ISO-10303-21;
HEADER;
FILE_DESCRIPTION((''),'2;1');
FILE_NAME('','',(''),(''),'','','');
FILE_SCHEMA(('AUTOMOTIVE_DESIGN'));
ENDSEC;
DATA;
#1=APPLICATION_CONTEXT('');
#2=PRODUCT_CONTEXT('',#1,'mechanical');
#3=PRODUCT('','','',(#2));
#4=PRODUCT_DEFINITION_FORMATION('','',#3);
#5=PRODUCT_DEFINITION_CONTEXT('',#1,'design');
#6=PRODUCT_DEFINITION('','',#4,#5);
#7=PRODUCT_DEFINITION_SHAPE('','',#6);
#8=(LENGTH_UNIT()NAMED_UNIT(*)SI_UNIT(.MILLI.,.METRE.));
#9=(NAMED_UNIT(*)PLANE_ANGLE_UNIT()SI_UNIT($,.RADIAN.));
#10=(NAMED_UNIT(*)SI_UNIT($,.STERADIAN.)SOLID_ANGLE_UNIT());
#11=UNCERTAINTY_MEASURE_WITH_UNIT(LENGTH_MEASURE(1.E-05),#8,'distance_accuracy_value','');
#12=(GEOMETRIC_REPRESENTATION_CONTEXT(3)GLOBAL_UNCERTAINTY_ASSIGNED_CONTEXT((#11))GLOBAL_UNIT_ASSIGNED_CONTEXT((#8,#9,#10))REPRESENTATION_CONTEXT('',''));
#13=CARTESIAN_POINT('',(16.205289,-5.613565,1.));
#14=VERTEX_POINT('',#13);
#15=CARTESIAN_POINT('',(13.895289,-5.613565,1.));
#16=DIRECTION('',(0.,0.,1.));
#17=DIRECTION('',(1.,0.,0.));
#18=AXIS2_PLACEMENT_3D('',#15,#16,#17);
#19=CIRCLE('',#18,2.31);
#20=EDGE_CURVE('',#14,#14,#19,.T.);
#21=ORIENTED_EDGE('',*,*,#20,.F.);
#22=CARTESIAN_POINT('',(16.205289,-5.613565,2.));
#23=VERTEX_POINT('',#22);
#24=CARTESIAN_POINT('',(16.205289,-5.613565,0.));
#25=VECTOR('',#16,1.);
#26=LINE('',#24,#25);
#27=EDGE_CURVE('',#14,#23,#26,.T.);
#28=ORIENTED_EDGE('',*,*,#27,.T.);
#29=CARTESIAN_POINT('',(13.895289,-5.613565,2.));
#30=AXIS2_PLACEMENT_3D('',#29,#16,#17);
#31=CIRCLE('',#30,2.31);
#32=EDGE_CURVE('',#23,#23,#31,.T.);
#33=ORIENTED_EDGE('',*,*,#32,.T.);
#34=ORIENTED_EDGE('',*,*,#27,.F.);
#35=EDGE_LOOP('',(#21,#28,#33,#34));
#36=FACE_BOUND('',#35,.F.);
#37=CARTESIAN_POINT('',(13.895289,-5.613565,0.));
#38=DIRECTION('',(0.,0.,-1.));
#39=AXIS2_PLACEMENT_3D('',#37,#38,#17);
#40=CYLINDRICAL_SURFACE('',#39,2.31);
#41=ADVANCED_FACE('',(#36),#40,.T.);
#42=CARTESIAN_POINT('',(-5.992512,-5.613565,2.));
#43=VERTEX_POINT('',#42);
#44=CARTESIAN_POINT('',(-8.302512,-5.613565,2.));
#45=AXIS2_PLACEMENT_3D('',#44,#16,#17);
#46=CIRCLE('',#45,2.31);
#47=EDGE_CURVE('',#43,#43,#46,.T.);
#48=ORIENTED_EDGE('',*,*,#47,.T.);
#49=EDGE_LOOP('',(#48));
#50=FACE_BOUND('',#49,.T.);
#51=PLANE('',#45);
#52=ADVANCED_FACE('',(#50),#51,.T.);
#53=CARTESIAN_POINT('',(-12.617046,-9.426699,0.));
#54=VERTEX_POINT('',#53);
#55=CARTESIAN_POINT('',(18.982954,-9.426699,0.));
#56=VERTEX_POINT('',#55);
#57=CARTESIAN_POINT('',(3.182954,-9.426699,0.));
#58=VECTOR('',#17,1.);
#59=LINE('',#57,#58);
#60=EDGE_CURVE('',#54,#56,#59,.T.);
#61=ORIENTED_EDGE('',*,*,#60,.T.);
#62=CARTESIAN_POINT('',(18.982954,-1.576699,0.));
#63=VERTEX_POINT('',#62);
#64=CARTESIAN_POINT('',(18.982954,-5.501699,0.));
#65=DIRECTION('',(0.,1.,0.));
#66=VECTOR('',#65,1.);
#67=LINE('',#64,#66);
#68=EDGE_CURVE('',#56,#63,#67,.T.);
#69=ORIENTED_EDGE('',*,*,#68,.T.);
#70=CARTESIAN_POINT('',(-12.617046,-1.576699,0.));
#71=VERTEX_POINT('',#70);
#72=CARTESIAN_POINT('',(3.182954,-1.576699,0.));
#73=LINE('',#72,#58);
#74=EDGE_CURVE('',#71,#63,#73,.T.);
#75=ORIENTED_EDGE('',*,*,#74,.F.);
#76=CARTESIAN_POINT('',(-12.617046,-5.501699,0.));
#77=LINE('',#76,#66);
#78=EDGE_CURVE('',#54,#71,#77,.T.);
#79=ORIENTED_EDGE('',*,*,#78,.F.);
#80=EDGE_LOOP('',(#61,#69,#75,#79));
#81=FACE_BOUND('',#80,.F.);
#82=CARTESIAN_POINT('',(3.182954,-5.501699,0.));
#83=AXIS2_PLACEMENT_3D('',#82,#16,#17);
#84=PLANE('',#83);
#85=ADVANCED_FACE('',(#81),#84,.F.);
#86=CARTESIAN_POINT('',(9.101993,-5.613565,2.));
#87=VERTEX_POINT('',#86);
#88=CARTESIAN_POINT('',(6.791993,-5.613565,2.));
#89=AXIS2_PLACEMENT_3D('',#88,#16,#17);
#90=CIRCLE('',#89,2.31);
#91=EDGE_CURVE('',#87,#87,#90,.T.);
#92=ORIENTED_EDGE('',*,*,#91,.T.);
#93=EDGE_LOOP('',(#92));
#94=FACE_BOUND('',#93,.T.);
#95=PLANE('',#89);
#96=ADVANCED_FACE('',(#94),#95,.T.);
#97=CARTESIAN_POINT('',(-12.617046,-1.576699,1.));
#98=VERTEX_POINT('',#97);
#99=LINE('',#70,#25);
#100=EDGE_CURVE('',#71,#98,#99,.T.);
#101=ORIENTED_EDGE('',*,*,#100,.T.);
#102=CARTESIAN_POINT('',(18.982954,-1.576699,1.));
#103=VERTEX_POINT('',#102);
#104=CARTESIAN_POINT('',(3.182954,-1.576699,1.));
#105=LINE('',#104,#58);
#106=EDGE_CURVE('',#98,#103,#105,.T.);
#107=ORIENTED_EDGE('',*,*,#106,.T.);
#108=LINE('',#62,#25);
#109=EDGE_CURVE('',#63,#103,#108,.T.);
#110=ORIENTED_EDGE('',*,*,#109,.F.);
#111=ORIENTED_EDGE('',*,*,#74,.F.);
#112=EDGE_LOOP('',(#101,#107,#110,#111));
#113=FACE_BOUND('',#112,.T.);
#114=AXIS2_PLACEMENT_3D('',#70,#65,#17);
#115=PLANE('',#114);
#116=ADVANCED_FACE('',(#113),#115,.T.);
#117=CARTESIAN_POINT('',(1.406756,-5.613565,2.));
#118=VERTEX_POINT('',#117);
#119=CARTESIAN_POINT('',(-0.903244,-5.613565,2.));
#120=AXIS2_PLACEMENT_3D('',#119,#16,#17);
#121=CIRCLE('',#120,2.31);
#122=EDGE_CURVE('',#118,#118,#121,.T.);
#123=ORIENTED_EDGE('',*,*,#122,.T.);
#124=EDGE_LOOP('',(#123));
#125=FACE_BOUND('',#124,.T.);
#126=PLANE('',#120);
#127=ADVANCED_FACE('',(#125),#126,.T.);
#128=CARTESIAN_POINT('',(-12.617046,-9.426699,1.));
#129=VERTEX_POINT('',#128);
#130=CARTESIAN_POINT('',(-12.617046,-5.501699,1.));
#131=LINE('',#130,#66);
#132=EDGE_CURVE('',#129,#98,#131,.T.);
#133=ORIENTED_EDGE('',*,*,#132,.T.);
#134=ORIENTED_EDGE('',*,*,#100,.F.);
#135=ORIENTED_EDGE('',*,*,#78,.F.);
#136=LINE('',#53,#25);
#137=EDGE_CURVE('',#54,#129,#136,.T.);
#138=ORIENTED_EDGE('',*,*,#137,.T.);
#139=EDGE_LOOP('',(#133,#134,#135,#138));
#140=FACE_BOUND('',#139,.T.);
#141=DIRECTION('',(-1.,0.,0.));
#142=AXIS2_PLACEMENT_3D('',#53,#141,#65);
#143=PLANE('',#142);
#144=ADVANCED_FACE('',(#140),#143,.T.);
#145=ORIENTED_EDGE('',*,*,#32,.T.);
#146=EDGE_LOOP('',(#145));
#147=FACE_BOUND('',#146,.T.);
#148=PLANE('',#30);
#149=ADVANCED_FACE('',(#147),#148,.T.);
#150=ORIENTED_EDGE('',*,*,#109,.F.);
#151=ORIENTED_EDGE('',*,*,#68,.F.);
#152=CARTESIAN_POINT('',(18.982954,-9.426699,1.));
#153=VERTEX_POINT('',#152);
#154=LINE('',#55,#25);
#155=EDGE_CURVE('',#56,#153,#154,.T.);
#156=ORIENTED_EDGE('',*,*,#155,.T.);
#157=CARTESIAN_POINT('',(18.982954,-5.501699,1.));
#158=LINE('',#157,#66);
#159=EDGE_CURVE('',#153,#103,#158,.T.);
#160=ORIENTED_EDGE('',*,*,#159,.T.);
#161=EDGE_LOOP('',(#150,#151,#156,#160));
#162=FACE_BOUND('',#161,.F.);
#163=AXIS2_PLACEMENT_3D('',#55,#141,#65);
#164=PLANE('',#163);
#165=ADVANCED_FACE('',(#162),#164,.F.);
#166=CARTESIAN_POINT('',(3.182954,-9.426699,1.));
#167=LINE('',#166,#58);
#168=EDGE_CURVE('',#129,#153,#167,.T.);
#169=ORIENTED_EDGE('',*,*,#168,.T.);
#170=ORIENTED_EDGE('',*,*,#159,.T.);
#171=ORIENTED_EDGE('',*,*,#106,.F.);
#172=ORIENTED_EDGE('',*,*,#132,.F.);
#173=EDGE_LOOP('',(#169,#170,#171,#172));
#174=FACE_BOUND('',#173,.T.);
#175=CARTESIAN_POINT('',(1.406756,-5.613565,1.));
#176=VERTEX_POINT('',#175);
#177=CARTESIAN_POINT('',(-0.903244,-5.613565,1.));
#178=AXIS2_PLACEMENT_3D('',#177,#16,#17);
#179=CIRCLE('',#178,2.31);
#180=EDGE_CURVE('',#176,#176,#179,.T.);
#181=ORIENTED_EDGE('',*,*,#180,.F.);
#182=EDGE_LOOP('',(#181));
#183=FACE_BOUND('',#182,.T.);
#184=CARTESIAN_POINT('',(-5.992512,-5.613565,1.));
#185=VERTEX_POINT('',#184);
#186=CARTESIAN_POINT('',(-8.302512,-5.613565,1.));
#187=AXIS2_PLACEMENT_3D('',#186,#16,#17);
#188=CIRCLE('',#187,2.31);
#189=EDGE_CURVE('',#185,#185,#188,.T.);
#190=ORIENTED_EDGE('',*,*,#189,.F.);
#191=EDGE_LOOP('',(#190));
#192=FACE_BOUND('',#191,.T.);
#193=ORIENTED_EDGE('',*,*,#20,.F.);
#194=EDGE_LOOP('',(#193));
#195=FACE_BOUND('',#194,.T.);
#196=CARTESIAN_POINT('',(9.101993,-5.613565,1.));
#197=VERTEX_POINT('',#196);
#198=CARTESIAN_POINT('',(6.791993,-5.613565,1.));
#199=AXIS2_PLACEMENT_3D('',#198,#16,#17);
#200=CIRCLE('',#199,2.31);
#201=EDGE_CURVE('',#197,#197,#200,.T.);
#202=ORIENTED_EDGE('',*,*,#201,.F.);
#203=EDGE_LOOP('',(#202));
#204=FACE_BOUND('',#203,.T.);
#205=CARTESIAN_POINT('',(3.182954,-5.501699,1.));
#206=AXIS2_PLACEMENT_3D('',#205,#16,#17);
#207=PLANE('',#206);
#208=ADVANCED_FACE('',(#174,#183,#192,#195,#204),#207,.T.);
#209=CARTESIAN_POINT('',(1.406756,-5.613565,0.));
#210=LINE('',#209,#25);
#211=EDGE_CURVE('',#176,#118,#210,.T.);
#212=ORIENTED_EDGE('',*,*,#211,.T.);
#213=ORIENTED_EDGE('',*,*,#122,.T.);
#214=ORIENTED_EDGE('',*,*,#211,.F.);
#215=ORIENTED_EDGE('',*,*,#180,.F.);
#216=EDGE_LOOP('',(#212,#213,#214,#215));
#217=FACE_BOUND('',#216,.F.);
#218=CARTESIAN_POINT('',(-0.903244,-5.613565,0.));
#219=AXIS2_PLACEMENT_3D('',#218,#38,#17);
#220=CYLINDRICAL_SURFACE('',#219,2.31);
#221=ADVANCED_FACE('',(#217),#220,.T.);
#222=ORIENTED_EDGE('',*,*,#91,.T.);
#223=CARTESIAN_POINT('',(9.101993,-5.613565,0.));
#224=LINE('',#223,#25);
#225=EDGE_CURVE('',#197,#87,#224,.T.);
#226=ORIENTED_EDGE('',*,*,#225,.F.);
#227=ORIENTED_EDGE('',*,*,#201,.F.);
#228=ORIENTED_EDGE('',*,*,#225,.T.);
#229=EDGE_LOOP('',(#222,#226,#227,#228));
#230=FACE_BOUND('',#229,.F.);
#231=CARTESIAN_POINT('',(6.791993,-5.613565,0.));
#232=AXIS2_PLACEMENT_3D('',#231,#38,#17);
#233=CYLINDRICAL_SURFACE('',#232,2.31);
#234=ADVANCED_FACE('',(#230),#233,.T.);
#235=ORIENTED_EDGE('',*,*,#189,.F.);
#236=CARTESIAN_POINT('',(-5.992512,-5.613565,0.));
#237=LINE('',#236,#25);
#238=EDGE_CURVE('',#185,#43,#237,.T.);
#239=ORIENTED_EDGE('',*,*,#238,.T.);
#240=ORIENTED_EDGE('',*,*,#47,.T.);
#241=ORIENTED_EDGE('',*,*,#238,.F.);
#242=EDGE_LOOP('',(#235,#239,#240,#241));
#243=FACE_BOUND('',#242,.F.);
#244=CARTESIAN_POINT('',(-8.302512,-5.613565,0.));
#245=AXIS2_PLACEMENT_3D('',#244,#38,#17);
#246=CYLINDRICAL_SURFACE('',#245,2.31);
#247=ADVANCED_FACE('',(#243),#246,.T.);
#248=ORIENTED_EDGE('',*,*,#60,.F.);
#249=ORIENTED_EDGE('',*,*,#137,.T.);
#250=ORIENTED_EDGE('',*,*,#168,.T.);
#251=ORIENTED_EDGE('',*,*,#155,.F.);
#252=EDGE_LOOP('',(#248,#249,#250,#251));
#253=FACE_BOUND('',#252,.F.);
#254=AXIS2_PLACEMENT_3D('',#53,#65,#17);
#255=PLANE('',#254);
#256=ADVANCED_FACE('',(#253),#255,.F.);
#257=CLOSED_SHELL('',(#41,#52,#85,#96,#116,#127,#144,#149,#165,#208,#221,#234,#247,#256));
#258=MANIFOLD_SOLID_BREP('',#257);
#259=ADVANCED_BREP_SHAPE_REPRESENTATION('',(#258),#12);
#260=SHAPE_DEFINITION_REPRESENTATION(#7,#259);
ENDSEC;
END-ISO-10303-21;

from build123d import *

# Parameters (mm, degrees)
F0_R     = 2.31
F1_DEPTH = 2
F0_W     = 31.6
F0_H     = 7.85
F2_DEPTH = 1


with BuildPart() as f1:
    # F0 (on Top) → F1 (new body)
    with BuildSketch(Plane.XY):
        with Locations((-8.302512, -5.613565)):
            Circle(F0_R)
        with Locations((-0.903244, -5.613565)):
            Circle(F0_R)
        with Locations((6.791993, -5.613565)):
            Circle(F0_R)
        with Locations((13.895289, -5.613565)):
            Circle(F0_R)
    extrude(amount=F1_DEPTH)

    # F0 (on Top) → F2 (join)
    with BuildSketch(Plane.XY):
        with Locations((3.182954, -5.501699)):
            Rectangle(F0_W, F0_H)
        with Locations((-8.302512, -5.613565)):
            Circle(F0_R, mode=Mode.SUBTRACT)
        with Locations((-0.903244, -5.613565)):
            Circle(F0_R, mode=Mode.SUBTRACT)
        with Locations((6.791993, -5.613565)):
            Circle(F0_R, mode=Mode.SUBTRACT)
        with Locations((13.895289, -5.613565)):
            Circle(F0_R, mode=Mode.SUBTRACT)
    extrude(amount=F2_DEPTH)


solid = f1.part
